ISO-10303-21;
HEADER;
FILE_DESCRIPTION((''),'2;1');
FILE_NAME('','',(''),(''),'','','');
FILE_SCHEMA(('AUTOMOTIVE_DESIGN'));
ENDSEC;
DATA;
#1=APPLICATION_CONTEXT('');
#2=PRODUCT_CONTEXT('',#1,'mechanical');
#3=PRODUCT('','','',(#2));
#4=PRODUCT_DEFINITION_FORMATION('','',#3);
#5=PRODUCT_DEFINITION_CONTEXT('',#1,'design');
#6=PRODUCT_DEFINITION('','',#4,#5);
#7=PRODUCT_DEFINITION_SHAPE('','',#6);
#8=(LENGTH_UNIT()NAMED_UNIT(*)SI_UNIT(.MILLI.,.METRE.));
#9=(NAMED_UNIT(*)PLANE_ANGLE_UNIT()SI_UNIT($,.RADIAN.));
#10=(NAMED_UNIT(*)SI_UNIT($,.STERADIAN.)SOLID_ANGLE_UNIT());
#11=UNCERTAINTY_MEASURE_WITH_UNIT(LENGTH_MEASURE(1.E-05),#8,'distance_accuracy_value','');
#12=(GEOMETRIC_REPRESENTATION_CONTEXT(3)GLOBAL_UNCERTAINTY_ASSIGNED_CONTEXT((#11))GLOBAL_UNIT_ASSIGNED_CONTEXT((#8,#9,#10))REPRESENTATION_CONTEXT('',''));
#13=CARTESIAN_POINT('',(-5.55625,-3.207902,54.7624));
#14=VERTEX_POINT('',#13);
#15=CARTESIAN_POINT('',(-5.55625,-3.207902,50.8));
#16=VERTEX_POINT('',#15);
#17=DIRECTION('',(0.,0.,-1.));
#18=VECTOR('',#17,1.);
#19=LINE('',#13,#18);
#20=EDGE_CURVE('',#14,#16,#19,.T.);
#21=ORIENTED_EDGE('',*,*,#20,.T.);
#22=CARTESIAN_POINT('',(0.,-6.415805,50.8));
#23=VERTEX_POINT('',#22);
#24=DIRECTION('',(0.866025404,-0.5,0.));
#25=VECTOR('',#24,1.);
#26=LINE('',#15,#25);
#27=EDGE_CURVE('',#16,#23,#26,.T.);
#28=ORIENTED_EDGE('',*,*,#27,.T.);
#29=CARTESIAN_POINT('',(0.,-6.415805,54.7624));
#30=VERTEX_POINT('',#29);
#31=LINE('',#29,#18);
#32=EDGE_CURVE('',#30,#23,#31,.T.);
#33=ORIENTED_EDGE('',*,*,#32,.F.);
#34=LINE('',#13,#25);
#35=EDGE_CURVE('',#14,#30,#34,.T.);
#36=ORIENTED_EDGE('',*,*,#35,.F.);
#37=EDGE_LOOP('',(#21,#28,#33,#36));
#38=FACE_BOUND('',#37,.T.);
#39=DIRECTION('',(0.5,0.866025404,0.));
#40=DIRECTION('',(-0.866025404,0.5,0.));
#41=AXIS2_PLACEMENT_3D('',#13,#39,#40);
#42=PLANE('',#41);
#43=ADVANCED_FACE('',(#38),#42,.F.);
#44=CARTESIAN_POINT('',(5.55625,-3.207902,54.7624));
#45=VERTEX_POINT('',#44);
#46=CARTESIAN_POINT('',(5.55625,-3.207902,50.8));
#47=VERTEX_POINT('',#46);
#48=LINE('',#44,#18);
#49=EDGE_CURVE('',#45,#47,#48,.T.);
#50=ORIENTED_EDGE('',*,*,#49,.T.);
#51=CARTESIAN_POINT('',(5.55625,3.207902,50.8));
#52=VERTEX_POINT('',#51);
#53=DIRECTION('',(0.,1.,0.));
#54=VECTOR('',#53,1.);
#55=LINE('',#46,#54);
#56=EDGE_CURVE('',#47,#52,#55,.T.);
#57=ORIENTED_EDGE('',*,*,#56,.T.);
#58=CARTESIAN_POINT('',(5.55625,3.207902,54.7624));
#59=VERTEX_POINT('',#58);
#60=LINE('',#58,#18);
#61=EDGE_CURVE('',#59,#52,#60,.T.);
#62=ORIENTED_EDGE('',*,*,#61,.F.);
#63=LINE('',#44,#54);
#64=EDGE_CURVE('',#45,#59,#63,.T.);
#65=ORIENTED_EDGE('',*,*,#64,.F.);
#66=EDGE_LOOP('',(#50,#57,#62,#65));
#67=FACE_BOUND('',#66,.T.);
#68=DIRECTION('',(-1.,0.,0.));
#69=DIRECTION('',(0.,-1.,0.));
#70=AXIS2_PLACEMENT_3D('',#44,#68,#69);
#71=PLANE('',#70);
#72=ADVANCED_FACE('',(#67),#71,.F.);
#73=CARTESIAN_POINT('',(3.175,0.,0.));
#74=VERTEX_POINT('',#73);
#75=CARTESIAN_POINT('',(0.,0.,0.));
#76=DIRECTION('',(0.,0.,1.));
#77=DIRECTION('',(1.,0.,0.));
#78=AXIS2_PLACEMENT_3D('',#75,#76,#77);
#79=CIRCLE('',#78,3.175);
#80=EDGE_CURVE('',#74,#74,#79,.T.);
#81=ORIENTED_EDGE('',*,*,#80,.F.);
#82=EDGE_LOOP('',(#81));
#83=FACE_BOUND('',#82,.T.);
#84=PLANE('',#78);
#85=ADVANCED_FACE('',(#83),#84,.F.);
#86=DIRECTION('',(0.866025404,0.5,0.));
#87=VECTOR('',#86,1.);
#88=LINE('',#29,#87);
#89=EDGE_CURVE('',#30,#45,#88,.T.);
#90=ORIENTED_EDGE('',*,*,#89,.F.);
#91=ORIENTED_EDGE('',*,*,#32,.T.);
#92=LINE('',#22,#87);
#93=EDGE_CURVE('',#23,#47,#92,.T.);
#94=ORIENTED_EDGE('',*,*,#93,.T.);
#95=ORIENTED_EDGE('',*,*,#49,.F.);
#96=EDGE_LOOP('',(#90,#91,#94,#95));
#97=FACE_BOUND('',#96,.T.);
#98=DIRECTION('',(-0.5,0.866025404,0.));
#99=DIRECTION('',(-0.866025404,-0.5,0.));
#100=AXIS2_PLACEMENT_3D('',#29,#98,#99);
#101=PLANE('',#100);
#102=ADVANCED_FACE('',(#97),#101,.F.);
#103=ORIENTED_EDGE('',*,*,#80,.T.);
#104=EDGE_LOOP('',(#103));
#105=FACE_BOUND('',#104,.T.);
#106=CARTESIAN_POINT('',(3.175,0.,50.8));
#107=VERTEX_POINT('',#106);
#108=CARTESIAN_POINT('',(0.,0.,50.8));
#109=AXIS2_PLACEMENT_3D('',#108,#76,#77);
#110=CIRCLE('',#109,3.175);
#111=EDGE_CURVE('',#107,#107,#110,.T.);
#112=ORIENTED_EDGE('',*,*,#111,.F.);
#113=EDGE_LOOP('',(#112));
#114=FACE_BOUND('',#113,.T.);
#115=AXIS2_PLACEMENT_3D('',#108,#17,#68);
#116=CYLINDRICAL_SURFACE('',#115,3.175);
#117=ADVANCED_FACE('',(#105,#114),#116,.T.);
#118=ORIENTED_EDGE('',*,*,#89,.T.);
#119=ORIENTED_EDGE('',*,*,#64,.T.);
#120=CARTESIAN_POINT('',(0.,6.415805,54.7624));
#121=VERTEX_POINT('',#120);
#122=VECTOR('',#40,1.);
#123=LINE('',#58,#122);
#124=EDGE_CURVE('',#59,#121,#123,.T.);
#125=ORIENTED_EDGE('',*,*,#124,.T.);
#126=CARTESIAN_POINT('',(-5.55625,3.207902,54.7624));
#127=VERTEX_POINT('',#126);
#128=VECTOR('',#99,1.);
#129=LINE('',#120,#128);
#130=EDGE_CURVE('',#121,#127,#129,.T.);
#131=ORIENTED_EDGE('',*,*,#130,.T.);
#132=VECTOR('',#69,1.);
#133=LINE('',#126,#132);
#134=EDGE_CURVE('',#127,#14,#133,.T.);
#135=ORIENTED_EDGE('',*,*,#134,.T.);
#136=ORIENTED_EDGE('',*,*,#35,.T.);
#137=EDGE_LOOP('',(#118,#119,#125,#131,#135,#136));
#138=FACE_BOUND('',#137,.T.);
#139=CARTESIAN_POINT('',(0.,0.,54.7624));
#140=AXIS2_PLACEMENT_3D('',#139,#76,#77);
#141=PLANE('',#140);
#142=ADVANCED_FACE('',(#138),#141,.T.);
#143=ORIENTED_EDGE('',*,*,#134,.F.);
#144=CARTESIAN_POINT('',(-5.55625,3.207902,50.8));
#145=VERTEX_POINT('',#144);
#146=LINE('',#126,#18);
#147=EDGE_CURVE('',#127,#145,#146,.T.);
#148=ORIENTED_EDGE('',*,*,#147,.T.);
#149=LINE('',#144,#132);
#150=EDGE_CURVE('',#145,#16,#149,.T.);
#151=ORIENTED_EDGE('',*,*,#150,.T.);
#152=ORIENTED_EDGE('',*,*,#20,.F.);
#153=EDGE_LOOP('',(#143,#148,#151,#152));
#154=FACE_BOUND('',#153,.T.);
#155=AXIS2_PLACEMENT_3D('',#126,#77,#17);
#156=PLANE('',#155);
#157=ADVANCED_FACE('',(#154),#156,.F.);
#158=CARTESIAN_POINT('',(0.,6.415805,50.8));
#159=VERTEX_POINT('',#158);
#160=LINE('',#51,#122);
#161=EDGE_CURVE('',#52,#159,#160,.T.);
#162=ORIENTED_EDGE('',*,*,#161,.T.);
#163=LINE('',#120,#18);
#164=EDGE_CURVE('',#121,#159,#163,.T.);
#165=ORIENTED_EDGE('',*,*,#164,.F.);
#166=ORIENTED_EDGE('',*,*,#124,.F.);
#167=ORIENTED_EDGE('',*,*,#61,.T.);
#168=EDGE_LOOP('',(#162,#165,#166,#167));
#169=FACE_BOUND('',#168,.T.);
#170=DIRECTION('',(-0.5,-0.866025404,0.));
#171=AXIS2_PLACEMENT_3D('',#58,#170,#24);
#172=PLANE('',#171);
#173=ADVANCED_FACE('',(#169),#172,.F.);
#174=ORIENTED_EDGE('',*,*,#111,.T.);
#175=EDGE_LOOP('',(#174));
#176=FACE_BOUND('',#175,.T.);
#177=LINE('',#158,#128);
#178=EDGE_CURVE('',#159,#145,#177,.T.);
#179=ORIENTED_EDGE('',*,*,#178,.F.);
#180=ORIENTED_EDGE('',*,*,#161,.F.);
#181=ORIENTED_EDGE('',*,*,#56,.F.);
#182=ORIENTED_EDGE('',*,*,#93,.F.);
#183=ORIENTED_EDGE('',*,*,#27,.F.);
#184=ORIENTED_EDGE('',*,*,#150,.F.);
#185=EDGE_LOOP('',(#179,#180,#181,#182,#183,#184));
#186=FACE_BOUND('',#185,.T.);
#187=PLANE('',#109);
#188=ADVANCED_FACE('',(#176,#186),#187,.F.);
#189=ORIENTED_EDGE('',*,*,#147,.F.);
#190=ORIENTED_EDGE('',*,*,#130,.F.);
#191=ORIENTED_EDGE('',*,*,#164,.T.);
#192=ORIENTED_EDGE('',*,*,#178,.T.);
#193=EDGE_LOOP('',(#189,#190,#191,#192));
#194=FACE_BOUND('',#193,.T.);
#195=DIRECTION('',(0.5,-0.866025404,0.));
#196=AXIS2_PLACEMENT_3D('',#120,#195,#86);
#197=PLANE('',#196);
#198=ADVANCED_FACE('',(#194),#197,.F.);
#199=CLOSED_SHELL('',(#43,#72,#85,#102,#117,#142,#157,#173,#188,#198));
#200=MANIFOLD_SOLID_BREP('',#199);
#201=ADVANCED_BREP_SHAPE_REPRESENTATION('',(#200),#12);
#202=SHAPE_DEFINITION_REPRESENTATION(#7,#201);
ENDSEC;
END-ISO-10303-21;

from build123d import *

# Parameters (mm, degrees)
SKETCH1_R           = 3.175
BOSS_EXTRUDE1_DEPTH = 50.8
BOSS_EXTRUDE2_DEPTH = 3.9624


with BuildPart() as part:
    # Sketch1 → Boss-Extrude1 (new body)
    with BuildSketch(Plane.XY):
        Circle(SKETCH1_R)
    extrude(amount=BOSS_EXTRUDE1_DEPTH)

    # Sketch2 → Boss-Extrude2 (add)
    with BuildSketch(Plane.XY.offset(50.8)):
        Polygon((5.55625, 3.207902433), (0, 6.415804866), (-5.55625, 3.207902433), (-5.55625, -3.207902433), (0, -6.415804866), (5.55625, -3.207902433), align=None)
    extrude(amount=BOSS_EXTRUDE2_DEPTH)


solid = part.part
